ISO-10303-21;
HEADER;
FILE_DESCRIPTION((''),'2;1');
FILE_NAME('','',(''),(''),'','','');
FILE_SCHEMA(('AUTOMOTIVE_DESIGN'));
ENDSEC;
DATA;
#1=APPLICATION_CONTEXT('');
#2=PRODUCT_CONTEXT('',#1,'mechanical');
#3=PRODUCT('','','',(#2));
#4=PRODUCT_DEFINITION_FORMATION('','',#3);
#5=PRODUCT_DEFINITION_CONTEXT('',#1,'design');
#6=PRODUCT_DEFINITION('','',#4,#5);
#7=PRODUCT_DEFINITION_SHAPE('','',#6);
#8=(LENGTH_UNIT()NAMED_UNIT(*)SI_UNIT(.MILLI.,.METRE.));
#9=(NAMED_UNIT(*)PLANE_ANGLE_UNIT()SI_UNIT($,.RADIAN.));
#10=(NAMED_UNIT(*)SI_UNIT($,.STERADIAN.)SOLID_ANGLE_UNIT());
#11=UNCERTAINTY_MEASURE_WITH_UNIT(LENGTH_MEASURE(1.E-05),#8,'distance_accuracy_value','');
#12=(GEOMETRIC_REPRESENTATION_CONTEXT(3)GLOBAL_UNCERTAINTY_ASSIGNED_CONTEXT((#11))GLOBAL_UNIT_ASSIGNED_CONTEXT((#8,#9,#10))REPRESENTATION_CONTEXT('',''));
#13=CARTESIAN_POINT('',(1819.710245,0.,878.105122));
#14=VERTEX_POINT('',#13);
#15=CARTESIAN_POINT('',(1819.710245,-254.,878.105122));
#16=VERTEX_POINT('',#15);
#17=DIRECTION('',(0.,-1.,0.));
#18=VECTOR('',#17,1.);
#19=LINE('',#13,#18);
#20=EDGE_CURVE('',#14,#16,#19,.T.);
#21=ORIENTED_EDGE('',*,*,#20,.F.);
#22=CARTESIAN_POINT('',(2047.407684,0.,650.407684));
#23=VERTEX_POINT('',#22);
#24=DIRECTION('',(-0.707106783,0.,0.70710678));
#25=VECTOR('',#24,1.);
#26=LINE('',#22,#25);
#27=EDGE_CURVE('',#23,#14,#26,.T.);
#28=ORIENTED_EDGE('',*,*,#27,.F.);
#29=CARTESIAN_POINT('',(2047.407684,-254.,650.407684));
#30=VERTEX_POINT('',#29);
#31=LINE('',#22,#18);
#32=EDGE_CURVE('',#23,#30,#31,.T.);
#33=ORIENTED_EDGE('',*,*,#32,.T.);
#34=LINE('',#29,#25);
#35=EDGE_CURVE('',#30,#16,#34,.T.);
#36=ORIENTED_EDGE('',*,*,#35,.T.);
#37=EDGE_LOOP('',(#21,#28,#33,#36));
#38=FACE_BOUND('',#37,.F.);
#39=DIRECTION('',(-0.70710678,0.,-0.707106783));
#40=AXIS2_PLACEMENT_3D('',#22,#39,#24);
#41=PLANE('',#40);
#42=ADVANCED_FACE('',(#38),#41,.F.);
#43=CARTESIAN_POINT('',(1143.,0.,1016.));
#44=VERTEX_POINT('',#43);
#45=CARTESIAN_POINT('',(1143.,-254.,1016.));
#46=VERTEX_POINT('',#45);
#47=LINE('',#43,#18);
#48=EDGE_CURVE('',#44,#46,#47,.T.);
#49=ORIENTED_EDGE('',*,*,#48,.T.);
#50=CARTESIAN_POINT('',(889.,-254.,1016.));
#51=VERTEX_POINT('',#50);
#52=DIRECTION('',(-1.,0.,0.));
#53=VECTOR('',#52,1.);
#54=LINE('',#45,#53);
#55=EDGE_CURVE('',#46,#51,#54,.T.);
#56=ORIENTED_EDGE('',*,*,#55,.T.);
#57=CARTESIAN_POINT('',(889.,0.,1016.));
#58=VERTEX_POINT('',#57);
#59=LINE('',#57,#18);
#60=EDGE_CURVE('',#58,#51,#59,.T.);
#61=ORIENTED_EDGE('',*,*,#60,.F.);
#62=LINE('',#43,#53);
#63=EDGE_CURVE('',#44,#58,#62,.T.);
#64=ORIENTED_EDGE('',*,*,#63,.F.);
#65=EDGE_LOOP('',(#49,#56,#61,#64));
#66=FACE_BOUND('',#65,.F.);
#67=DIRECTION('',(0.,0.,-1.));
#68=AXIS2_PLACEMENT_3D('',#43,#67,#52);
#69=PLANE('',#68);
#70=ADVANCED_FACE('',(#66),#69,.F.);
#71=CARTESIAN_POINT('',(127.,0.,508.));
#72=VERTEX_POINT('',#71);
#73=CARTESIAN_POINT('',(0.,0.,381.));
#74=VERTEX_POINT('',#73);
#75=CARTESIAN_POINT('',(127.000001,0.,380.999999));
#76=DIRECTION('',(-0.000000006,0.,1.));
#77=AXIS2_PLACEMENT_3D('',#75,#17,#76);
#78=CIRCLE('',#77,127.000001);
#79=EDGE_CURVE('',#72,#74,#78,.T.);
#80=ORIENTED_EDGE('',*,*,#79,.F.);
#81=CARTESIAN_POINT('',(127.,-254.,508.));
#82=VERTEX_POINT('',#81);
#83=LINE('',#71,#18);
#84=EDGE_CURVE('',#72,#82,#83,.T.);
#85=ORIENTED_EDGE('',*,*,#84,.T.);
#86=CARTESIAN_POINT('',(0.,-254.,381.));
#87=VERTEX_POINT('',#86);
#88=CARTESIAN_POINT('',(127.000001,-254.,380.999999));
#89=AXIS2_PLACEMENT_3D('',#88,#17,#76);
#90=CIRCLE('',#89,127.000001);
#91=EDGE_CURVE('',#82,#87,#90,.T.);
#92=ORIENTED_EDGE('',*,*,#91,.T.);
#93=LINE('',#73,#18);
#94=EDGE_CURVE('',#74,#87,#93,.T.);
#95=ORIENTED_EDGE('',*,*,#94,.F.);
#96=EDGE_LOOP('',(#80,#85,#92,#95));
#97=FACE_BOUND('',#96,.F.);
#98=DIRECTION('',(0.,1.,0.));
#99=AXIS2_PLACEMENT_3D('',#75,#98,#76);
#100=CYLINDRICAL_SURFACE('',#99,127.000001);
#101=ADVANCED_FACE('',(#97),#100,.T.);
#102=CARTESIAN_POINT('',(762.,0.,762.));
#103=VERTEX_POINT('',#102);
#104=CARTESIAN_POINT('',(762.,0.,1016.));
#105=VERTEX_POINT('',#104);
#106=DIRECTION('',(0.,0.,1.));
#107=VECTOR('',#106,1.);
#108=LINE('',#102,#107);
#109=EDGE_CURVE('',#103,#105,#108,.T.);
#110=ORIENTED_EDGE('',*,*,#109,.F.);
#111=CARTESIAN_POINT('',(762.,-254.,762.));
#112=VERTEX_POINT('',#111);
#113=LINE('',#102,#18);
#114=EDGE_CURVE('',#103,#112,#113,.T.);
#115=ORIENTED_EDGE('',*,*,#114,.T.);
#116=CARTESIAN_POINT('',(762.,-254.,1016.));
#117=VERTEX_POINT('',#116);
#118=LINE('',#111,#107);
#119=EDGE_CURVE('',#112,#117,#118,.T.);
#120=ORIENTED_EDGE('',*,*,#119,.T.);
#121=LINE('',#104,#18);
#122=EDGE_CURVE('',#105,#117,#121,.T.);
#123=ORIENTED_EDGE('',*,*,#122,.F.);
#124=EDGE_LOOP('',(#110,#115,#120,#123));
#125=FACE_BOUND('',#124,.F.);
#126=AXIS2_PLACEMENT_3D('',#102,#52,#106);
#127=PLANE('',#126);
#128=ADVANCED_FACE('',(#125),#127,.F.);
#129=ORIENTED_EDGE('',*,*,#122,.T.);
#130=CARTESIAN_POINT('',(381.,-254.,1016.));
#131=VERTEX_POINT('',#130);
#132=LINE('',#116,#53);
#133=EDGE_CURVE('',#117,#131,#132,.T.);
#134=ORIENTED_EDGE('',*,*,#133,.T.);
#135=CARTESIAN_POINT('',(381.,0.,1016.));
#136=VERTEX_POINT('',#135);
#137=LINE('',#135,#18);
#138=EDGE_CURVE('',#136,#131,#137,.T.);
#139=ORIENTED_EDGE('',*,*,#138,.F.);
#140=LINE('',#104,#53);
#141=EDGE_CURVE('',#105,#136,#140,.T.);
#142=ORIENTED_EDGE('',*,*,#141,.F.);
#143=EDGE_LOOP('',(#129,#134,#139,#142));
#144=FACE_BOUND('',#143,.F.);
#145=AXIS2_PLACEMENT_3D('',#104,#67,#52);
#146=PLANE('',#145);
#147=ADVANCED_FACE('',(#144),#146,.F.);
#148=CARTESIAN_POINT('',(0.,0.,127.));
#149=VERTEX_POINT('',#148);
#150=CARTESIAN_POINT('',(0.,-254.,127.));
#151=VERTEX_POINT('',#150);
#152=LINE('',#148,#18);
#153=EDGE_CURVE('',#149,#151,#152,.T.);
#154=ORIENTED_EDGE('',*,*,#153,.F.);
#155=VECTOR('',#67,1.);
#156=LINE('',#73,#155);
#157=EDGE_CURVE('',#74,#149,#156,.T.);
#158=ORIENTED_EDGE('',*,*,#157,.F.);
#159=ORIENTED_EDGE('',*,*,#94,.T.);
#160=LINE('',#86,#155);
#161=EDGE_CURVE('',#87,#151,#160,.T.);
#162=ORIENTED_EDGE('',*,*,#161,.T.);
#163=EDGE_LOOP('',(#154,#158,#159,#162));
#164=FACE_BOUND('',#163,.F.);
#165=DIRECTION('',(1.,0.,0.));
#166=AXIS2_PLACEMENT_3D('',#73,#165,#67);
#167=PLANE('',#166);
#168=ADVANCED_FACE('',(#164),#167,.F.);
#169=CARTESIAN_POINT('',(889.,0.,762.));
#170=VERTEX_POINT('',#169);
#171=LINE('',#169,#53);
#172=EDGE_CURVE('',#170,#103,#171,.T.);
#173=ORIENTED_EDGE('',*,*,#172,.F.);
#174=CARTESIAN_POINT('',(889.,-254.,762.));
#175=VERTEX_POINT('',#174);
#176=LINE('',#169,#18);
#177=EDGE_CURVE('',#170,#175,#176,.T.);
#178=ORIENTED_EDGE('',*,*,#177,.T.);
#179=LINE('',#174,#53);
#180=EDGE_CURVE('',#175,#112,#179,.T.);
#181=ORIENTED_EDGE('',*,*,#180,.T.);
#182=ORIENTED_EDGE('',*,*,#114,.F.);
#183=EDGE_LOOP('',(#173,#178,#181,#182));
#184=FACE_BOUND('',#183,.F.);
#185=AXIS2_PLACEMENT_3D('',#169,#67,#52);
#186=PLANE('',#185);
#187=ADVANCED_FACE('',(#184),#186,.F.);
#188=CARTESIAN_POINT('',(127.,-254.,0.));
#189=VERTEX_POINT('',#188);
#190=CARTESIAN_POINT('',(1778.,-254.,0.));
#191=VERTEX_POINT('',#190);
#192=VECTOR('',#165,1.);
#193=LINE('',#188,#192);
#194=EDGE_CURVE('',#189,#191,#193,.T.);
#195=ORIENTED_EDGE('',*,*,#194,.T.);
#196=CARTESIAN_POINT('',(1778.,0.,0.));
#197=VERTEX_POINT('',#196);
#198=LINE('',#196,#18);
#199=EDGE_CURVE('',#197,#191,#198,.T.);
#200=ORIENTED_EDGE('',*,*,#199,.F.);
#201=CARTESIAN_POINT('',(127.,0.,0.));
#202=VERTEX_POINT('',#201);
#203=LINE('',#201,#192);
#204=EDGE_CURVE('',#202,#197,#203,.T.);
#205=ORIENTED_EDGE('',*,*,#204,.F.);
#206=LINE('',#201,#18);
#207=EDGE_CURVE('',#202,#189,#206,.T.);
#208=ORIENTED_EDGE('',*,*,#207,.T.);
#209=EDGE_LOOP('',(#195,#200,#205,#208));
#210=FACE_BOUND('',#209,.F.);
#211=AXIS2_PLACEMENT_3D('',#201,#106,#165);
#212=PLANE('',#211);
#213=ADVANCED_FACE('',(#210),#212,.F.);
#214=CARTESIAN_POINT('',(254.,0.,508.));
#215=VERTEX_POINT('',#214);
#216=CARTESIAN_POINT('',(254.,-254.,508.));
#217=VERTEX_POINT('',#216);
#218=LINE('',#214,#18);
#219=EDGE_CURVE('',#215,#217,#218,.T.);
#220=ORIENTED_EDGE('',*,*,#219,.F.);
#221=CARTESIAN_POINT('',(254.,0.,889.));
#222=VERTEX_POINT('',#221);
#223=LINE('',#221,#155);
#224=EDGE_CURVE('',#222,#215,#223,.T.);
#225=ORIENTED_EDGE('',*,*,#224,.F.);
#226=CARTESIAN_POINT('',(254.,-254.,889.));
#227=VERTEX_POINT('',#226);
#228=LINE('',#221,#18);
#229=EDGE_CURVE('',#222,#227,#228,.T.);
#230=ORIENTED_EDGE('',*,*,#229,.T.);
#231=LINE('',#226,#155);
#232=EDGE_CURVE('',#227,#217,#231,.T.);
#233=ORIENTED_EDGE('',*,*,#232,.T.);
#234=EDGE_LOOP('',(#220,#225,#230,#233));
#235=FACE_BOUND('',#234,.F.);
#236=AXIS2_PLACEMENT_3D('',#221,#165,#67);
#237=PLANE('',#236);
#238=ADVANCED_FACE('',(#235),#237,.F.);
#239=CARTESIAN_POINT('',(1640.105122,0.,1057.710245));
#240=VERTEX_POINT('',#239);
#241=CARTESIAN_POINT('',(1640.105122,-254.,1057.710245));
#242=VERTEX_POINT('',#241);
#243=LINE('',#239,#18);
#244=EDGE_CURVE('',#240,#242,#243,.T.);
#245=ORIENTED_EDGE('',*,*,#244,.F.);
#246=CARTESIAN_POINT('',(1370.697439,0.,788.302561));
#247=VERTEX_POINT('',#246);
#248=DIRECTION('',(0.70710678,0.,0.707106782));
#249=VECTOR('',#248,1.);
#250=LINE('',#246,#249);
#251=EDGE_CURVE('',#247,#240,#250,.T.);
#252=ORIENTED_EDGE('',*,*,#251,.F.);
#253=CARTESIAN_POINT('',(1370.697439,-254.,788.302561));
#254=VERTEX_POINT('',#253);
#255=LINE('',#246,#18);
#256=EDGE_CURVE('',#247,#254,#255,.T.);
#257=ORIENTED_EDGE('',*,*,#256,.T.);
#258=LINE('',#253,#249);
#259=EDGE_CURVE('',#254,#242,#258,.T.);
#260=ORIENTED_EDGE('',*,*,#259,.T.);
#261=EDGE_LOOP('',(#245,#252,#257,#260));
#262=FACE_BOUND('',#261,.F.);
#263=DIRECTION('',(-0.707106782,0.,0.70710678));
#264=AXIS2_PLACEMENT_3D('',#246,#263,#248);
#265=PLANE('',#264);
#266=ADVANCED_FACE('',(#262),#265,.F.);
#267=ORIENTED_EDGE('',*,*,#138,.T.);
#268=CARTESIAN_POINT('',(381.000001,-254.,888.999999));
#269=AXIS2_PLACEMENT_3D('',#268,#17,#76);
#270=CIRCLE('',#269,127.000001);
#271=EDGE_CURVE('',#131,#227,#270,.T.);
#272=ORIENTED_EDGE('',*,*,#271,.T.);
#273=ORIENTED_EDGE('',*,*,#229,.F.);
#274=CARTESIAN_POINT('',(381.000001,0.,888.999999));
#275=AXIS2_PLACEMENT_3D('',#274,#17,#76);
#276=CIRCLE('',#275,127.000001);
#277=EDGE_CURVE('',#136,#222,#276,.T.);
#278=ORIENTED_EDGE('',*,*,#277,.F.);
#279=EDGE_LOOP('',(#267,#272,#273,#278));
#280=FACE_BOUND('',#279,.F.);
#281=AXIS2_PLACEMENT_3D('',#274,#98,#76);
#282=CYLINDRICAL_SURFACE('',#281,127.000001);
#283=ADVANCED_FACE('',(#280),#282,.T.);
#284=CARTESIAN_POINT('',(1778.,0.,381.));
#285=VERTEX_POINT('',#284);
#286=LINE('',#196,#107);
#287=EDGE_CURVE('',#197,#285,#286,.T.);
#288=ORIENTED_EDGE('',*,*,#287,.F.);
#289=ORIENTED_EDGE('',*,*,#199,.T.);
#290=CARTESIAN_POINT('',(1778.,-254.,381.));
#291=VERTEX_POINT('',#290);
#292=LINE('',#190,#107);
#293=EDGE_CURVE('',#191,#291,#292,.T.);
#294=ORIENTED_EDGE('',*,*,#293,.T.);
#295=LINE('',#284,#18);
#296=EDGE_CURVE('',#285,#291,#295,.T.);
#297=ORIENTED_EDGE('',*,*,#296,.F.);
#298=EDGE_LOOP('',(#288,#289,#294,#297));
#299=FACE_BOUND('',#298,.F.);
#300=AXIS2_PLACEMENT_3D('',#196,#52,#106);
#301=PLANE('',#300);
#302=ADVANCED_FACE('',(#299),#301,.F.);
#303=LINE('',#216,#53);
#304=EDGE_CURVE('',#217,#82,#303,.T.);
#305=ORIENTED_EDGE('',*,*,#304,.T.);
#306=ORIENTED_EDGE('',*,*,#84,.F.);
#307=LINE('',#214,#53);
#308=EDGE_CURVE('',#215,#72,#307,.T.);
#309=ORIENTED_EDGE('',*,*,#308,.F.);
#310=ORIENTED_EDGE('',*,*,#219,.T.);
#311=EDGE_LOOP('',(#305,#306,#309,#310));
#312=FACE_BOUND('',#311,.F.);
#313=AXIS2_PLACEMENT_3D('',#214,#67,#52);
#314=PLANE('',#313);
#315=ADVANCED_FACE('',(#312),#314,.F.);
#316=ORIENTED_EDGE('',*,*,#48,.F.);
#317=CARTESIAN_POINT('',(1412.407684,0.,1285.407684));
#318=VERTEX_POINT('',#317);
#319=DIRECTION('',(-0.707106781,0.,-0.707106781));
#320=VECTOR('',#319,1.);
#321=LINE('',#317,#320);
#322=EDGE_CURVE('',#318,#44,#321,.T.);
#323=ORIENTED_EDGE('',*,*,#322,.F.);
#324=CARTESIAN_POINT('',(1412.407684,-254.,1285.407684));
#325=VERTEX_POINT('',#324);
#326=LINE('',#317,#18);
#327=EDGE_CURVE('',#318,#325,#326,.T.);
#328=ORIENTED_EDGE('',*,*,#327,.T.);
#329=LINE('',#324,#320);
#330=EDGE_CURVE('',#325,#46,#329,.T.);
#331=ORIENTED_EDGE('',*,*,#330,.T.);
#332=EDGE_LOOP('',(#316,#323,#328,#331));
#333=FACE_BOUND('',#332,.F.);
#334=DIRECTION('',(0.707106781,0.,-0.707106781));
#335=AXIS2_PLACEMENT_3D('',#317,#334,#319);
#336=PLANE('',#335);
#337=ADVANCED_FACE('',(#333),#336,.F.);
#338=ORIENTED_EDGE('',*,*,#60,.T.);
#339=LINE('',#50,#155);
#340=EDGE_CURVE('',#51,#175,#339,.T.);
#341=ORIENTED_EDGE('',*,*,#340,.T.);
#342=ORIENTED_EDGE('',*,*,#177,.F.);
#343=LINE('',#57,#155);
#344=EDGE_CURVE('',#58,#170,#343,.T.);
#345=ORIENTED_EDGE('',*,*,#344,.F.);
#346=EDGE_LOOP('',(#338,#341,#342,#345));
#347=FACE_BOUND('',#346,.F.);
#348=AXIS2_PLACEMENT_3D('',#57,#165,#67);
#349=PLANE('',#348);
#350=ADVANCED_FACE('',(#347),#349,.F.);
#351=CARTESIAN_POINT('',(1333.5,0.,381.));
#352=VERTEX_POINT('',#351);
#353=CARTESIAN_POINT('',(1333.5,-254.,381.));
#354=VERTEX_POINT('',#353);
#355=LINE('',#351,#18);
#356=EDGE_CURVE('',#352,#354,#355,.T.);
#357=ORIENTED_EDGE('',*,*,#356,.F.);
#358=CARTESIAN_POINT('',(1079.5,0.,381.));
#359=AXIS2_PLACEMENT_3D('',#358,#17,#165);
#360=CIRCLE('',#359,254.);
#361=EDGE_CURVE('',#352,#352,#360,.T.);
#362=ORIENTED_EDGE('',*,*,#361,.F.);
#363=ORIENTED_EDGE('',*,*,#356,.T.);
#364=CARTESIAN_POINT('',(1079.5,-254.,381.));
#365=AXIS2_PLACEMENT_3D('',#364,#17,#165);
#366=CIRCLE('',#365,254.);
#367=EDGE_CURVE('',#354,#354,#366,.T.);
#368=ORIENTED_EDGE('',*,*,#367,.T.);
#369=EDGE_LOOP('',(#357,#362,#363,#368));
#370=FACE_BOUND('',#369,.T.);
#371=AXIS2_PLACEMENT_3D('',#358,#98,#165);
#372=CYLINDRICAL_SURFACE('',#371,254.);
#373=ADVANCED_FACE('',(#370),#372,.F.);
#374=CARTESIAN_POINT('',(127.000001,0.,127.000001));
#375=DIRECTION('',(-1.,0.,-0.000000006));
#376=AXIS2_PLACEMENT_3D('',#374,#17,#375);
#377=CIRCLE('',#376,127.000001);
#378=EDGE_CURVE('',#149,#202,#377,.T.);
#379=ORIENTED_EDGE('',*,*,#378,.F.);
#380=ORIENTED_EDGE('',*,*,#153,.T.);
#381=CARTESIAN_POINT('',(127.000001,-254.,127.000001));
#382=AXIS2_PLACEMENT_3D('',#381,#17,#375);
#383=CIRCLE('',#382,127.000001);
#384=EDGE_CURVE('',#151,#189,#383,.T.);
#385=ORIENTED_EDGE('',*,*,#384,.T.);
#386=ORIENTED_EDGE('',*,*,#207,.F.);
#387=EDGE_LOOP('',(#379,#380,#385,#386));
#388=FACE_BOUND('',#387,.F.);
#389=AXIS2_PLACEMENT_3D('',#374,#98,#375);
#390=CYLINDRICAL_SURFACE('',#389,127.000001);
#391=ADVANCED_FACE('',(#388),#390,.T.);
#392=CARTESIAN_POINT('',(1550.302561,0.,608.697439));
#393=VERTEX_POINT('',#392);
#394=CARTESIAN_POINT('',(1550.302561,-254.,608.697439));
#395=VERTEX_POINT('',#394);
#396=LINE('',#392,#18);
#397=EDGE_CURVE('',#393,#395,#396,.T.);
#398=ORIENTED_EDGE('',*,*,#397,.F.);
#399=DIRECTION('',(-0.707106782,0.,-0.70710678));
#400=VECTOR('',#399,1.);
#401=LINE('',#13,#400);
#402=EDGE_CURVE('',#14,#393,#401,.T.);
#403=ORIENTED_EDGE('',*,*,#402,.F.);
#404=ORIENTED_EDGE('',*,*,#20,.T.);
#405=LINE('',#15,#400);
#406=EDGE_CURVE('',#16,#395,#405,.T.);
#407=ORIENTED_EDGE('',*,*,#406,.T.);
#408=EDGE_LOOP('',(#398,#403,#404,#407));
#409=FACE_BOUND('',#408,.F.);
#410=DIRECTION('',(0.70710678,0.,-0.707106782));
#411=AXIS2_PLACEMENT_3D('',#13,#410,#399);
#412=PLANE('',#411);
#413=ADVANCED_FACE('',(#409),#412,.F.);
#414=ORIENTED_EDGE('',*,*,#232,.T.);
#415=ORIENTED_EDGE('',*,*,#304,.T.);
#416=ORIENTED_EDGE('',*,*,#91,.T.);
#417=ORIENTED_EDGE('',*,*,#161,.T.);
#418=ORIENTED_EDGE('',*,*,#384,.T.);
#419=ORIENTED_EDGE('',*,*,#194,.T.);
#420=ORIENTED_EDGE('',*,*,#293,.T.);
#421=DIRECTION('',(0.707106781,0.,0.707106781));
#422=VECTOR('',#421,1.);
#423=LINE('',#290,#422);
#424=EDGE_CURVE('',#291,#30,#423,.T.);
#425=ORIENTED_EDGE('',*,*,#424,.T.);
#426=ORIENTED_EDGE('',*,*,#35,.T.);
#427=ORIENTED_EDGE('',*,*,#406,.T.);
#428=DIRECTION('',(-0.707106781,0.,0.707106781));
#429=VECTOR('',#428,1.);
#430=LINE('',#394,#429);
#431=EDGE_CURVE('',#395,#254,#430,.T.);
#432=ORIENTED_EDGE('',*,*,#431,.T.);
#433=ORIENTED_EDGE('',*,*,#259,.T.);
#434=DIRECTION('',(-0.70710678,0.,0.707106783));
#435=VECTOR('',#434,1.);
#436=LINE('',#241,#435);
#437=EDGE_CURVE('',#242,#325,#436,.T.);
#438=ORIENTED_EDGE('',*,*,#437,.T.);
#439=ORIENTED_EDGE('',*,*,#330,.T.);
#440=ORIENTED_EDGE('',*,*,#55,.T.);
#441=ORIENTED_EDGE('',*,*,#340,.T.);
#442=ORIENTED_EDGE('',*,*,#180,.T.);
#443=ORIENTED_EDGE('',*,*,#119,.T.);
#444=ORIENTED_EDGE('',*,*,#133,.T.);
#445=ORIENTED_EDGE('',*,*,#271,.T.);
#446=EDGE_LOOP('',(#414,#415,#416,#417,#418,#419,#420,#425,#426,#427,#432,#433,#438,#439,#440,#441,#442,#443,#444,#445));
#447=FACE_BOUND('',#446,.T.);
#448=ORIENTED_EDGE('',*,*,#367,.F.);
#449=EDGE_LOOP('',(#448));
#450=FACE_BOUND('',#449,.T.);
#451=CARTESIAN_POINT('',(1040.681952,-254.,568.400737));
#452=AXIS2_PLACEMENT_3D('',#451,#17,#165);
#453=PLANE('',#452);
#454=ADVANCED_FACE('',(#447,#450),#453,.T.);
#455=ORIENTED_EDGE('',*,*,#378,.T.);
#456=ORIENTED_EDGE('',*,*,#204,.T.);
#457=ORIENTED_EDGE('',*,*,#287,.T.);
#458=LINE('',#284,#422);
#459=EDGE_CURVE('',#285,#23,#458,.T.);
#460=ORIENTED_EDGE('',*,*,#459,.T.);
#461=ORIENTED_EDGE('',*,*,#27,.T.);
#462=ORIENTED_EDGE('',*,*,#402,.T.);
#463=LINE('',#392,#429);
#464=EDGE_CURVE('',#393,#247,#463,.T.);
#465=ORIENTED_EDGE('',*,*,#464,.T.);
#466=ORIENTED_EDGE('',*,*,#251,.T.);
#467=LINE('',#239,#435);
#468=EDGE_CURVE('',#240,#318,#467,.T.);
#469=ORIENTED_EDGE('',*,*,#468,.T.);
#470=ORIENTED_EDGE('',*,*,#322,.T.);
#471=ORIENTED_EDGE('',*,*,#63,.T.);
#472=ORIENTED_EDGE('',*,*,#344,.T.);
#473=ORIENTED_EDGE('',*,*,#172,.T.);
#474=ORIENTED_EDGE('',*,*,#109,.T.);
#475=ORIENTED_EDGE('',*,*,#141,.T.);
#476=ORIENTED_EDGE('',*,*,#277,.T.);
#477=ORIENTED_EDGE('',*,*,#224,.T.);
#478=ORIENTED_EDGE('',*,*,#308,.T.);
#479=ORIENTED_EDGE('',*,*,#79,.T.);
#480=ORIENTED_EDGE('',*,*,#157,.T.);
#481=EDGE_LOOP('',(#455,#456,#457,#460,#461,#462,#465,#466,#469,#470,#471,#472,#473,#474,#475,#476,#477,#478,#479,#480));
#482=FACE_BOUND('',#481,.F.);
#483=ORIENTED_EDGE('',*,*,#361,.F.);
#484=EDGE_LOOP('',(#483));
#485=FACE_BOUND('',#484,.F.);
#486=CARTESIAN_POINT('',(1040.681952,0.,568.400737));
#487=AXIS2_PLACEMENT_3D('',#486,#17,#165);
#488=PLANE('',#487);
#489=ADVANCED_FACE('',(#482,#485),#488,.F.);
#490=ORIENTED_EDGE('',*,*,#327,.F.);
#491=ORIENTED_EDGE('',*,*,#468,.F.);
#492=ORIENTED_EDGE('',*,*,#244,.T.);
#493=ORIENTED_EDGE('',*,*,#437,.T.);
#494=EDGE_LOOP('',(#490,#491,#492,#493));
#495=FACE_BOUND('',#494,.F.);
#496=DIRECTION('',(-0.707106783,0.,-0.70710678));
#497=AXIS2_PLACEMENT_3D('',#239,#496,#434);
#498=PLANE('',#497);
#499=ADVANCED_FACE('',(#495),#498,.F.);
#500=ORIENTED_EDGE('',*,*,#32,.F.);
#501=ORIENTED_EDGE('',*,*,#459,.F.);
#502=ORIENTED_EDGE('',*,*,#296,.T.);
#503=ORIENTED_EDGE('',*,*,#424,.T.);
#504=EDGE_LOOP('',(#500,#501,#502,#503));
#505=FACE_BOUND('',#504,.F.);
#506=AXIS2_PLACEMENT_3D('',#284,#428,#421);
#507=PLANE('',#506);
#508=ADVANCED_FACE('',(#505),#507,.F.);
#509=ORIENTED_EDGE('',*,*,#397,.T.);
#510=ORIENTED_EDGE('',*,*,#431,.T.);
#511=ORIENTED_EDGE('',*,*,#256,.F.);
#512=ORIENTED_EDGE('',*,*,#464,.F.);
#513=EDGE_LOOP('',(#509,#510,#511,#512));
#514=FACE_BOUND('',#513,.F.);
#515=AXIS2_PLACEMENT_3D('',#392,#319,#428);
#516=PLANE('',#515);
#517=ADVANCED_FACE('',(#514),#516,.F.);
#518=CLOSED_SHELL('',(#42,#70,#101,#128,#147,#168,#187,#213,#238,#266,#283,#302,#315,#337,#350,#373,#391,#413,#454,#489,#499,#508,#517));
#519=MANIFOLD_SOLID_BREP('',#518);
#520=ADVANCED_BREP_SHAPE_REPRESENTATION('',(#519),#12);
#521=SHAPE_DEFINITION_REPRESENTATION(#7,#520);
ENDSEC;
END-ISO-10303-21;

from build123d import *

# Parameters (mm, degrees)
F0_R     = 254
F1_DEPTH = 254


with BuildPart() as f1:
    # F0 (on Front) → F1 (new body)
    with BuildSketch(Plane.XZ):
        with BuildLine():
            ThreePointArc((0, 127), (37.197439, 37.197439), (127, 0))
            Line((127, 0), (1778, 0))
            Line((1778, 0), (1778, 381))
            Line((1778, 381), (2047.407684, 650.407684))
            Line((2047.407684, 650.407684), (1819.710245, 878.105122))
            Line((1819.710245, 878.105122), (1550.302561, 608.697439))
            Line((1550.302561, 608.697439), (1370.697439, 788.302561))
            Line((1370.697439, 788.302561), (1640.105122, 1057.710245))
            Line((1640.105122, 1057.710245), (1412.407684, 1285.407684))
            Line((1412.407684, 1285.407684), (1143, 1016))
            Line((1143, 1016), (889, 1016))
            Line((889, 1016), (889, 762))
            Line((889, 762), (762, 762))
            Line((762, 762), (762, 1016))
            Line((762, 1016), (381, 1016))
            ThreePointArc((381, 1016), (291.197439, 978.802561), (254, 889))
            Line((254, 889), (254, 508))
            Line((254, 508), (127, 508))
            ThreePointArc((127, 508), (37.197439, 470.802561), (0, 381))
            Line((0, 381), (0, 127))
        make_face()
        with Locations((1079.5, 381)):
            Circle(F0_R, mode=Mode.SUBTRACT)
    extrude(amount=F1_DEPTH)


solid = f1.part
